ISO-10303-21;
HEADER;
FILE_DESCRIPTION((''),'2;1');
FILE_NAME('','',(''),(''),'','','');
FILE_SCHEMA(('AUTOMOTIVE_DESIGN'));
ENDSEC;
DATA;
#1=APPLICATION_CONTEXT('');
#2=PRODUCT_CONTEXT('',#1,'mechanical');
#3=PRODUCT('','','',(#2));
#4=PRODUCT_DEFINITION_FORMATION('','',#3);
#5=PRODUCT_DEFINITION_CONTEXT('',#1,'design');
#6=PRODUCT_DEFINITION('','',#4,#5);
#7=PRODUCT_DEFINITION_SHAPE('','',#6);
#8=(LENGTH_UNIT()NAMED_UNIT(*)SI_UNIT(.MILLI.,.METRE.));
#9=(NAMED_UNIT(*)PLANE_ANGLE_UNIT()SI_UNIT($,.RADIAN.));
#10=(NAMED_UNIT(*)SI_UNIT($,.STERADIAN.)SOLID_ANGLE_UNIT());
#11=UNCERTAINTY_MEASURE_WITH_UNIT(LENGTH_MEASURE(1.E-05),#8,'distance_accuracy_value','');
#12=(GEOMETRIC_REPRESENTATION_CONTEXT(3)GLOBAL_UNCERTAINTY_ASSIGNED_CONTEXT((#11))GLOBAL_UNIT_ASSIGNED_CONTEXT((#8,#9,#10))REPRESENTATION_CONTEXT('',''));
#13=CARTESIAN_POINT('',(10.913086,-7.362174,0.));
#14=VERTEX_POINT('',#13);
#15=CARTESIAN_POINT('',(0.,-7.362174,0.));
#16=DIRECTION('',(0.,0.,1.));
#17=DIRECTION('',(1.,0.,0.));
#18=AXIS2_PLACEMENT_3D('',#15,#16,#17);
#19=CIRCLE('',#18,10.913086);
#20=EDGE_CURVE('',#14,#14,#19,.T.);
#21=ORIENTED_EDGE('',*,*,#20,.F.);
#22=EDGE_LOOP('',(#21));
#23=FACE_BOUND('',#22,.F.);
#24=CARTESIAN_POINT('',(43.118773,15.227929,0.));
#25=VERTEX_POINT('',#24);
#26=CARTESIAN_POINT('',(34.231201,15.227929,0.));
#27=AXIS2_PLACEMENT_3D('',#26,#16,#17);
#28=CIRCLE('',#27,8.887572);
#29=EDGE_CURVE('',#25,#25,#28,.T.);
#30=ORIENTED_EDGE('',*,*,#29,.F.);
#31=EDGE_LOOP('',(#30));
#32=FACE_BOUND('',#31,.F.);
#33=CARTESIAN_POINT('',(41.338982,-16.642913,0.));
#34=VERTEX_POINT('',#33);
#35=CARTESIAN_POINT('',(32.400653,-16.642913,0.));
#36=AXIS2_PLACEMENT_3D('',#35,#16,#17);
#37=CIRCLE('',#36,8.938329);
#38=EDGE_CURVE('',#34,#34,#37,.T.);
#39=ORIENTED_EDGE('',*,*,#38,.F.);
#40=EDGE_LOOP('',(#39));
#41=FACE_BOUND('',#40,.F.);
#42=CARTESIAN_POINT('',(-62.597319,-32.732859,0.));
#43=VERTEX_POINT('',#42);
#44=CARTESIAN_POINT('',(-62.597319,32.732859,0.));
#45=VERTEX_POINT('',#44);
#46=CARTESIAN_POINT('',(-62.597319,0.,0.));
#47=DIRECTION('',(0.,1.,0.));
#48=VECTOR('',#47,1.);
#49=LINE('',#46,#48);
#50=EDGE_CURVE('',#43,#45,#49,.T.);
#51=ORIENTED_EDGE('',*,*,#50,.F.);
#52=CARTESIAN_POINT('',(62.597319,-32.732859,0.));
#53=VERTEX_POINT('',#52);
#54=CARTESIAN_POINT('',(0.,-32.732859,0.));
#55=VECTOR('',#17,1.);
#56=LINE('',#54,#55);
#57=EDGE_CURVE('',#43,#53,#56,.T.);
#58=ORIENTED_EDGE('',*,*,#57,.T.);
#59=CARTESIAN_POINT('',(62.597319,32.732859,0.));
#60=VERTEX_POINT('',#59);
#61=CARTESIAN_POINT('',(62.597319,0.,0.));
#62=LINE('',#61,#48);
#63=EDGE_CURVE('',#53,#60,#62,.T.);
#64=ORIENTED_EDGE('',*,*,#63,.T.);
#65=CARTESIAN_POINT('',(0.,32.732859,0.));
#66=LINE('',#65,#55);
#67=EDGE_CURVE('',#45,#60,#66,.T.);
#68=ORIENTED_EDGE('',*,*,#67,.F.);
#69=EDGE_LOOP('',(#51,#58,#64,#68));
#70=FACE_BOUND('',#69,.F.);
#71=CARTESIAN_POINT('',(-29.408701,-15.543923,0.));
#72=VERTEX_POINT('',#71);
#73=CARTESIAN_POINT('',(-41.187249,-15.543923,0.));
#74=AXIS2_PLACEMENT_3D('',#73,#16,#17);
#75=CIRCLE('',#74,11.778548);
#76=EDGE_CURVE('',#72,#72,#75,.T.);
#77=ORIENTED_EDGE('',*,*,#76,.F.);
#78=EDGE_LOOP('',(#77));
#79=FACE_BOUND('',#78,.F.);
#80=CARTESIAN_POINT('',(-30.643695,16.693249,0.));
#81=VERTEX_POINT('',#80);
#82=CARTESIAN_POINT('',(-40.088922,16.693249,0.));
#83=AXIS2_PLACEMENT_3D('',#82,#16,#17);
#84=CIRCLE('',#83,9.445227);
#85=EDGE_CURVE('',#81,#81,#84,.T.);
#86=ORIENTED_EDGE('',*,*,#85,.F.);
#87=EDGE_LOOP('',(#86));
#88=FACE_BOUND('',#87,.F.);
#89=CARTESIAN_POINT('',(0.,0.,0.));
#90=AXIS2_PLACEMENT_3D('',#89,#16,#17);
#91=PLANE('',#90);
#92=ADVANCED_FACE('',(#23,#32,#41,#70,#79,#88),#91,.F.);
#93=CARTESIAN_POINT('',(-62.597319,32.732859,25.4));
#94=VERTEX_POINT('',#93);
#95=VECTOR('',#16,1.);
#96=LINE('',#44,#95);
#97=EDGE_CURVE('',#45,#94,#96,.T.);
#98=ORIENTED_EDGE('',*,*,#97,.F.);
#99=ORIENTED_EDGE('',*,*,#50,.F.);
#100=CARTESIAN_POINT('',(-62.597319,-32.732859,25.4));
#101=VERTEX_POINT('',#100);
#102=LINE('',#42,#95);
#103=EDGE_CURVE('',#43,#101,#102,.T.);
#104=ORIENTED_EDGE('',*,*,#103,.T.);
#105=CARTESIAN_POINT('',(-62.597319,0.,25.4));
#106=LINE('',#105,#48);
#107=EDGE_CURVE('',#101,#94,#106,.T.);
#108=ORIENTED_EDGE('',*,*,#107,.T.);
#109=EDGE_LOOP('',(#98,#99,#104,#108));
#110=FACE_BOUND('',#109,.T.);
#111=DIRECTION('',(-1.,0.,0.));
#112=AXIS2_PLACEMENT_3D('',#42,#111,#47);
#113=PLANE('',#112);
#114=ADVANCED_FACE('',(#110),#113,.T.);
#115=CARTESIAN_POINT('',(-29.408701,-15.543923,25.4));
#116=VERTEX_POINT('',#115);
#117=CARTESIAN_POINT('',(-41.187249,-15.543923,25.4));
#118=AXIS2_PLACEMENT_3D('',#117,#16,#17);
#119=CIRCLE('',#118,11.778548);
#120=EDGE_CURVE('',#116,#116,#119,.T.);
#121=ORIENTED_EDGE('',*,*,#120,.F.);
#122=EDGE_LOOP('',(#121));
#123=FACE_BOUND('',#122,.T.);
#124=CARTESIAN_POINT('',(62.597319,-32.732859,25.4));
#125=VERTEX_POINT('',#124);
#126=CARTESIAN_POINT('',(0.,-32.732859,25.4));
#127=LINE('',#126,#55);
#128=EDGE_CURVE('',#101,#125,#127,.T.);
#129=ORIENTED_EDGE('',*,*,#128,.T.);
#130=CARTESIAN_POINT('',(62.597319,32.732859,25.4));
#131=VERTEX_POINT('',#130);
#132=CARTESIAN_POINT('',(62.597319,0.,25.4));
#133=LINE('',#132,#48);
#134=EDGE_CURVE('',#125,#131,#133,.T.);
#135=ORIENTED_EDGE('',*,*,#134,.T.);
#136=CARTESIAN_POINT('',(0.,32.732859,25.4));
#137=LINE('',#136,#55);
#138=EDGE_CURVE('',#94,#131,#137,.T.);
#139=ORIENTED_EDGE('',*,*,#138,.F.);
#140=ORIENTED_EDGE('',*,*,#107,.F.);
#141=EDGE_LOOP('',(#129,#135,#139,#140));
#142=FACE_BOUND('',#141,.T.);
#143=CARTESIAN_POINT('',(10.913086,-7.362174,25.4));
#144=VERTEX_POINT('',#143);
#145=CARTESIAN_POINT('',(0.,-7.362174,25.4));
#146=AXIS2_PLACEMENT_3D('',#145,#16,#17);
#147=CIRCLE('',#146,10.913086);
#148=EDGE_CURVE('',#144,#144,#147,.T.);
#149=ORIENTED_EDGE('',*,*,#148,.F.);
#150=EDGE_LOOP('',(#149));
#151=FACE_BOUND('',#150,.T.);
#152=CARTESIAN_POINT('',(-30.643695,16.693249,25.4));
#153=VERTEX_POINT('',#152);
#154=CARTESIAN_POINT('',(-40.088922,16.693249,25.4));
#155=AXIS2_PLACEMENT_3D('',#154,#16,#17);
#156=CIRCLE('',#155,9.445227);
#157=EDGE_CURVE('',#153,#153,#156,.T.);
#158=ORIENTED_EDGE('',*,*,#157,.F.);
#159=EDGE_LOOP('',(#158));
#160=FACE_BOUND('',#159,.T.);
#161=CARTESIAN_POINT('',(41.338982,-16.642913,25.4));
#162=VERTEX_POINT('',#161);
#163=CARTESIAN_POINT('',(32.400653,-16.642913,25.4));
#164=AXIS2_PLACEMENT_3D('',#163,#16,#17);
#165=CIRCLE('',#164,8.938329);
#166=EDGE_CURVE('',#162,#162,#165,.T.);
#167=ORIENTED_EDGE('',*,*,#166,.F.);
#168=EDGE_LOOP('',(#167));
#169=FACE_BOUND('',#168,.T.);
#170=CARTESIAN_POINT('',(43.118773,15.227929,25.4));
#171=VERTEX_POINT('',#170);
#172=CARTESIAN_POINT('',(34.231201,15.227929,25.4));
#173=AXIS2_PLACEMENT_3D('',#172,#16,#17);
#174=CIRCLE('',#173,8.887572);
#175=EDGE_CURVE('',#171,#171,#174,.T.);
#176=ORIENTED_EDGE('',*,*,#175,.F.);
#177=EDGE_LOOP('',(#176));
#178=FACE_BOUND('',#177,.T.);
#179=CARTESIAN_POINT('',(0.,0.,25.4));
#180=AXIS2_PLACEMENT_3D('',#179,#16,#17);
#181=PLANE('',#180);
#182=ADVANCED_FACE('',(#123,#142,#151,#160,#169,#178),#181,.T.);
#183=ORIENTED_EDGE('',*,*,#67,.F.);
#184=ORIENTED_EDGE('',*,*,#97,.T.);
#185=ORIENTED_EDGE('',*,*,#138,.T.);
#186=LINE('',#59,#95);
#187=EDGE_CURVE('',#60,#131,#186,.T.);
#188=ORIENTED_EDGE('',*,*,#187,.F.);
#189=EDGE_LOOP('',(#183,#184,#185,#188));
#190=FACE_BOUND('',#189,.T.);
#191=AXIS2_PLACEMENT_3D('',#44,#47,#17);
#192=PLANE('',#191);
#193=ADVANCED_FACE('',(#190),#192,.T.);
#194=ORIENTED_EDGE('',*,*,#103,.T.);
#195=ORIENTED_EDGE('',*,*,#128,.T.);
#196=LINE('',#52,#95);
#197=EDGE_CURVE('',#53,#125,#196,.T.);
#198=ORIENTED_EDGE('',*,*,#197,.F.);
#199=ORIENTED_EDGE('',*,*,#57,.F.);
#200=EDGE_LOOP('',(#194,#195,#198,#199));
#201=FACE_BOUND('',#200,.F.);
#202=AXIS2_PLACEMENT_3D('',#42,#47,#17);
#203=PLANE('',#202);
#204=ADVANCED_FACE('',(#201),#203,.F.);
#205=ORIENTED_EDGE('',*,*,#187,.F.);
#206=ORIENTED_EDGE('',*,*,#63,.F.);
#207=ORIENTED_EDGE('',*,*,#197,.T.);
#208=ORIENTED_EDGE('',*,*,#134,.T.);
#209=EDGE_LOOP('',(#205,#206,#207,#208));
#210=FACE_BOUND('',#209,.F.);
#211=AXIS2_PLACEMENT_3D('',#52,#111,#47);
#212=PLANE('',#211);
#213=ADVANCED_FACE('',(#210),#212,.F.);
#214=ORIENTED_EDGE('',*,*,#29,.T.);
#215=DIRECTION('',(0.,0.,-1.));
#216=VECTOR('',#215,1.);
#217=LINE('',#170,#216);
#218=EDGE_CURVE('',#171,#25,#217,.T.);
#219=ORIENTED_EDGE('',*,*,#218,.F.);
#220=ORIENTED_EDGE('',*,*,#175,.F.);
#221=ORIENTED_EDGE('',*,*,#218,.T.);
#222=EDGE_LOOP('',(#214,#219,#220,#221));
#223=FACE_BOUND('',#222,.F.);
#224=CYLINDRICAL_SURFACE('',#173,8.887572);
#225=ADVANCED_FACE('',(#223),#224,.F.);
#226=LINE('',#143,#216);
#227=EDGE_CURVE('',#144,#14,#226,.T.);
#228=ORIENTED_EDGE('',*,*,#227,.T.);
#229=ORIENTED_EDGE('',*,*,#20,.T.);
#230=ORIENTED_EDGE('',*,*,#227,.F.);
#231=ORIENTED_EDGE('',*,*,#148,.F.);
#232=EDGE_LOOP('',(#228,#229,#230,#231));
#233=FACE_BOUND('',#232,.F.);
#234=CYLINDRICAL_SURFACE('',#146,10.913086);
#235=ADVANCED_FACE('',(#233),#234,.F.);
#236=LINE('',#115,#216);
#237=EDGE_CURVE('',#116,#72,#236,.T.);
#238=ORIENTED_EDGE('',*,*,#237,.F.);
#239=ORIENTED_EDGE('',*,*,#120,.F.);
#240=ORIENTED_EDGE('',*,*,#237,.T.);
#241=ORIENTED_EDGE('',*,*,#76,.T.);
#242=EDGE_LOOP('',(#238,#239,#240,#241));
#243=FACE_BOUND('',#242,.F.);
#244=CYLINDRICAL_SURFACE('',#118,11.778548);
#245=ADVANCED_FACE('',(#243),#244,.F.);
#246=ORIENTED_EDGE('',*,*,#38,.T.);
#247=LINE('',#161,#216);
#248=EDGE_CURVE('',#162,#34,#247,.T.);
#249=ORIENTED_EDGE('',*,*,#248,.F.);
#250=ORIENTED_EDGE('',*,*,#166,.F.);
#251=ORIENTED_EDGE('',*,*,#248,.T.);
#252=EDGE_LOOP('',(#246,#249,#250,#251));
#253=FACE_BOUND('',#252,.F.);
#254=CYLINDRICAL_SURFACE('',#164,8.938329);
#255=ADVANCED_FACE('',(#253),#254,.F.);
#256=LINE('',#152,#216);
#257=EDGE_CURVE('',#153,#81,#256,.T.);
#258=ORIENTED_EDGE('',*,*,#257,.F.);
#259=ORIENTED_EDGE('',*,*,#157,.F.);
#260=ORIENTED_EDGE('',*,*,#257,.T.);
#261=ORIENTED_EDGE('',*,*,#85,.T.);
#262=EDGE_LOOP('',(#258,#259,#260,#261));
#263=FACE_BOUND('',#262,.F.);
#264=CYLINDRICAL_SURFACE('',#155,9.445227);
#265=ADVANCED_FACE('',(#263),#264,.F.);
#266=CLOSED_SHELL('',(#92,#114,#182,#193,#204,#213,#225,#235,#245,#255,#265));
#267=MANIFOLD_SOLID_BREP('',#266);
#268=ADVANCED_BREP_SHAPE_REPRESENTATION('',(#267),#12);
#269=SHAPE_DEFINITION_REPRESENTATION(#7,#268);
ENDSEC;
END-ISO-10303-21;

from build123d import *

# Parameters (mm, degrees)
F0_W          = 125.194638
F0_H          = 65.465718
F1_DEPTH      = 25.4
F2_R          = 8.887572
F2_R_2        = 9.445227
F2_R_3        = 8.938329
F2_R_4        = 11.778548
F3_DEPTH      = 25.4
F4_R          = 10.913086
F5_DEPTH      = 25.4
F5_DEPTH_BACK = 25.4


with BuildPart() as f1:
    # F0 (on Top) → F1 (new body)
    with BuildSketch(Plane.XY):
        Rectangle(F0_W, F0_H)
    extrude(amount=F1_DEPTH)

    # F2 (on face) → F3 (cut)
    with BuildSketch(Plane.XY.offset(25.4)):
        with Locations((34.231201, 15.227929)):
            Circle(F2_R)
        with Locations((-40.088922, 16.693249)):
            Circle(F2_R_2)
        with Locations((32.400653, -16.642913)):
            Circle(F2_R_3)
        with Locations((-41.187249, -15.543923)):
            Circle(F2_R_4)
    extrude(amount=-F3_DEPTH, mode=Mode.SUBTRACT)

    # F4 (on face) → F5 (cut, two sides)
    with BuildSketch(Plane.XY.offset(25.4)) as f5_sk:
        with Locations((0, -7.362174)):
            Circle(F4_R)
    extrude(amount=-F5_DEPTH, mode=Mode.SUBTRACT)
    extrude(f5_sk.sketch, amount=-F5_DEPTH_BACK, mode=Mode.SUBTRACT)


solid = f1.part
